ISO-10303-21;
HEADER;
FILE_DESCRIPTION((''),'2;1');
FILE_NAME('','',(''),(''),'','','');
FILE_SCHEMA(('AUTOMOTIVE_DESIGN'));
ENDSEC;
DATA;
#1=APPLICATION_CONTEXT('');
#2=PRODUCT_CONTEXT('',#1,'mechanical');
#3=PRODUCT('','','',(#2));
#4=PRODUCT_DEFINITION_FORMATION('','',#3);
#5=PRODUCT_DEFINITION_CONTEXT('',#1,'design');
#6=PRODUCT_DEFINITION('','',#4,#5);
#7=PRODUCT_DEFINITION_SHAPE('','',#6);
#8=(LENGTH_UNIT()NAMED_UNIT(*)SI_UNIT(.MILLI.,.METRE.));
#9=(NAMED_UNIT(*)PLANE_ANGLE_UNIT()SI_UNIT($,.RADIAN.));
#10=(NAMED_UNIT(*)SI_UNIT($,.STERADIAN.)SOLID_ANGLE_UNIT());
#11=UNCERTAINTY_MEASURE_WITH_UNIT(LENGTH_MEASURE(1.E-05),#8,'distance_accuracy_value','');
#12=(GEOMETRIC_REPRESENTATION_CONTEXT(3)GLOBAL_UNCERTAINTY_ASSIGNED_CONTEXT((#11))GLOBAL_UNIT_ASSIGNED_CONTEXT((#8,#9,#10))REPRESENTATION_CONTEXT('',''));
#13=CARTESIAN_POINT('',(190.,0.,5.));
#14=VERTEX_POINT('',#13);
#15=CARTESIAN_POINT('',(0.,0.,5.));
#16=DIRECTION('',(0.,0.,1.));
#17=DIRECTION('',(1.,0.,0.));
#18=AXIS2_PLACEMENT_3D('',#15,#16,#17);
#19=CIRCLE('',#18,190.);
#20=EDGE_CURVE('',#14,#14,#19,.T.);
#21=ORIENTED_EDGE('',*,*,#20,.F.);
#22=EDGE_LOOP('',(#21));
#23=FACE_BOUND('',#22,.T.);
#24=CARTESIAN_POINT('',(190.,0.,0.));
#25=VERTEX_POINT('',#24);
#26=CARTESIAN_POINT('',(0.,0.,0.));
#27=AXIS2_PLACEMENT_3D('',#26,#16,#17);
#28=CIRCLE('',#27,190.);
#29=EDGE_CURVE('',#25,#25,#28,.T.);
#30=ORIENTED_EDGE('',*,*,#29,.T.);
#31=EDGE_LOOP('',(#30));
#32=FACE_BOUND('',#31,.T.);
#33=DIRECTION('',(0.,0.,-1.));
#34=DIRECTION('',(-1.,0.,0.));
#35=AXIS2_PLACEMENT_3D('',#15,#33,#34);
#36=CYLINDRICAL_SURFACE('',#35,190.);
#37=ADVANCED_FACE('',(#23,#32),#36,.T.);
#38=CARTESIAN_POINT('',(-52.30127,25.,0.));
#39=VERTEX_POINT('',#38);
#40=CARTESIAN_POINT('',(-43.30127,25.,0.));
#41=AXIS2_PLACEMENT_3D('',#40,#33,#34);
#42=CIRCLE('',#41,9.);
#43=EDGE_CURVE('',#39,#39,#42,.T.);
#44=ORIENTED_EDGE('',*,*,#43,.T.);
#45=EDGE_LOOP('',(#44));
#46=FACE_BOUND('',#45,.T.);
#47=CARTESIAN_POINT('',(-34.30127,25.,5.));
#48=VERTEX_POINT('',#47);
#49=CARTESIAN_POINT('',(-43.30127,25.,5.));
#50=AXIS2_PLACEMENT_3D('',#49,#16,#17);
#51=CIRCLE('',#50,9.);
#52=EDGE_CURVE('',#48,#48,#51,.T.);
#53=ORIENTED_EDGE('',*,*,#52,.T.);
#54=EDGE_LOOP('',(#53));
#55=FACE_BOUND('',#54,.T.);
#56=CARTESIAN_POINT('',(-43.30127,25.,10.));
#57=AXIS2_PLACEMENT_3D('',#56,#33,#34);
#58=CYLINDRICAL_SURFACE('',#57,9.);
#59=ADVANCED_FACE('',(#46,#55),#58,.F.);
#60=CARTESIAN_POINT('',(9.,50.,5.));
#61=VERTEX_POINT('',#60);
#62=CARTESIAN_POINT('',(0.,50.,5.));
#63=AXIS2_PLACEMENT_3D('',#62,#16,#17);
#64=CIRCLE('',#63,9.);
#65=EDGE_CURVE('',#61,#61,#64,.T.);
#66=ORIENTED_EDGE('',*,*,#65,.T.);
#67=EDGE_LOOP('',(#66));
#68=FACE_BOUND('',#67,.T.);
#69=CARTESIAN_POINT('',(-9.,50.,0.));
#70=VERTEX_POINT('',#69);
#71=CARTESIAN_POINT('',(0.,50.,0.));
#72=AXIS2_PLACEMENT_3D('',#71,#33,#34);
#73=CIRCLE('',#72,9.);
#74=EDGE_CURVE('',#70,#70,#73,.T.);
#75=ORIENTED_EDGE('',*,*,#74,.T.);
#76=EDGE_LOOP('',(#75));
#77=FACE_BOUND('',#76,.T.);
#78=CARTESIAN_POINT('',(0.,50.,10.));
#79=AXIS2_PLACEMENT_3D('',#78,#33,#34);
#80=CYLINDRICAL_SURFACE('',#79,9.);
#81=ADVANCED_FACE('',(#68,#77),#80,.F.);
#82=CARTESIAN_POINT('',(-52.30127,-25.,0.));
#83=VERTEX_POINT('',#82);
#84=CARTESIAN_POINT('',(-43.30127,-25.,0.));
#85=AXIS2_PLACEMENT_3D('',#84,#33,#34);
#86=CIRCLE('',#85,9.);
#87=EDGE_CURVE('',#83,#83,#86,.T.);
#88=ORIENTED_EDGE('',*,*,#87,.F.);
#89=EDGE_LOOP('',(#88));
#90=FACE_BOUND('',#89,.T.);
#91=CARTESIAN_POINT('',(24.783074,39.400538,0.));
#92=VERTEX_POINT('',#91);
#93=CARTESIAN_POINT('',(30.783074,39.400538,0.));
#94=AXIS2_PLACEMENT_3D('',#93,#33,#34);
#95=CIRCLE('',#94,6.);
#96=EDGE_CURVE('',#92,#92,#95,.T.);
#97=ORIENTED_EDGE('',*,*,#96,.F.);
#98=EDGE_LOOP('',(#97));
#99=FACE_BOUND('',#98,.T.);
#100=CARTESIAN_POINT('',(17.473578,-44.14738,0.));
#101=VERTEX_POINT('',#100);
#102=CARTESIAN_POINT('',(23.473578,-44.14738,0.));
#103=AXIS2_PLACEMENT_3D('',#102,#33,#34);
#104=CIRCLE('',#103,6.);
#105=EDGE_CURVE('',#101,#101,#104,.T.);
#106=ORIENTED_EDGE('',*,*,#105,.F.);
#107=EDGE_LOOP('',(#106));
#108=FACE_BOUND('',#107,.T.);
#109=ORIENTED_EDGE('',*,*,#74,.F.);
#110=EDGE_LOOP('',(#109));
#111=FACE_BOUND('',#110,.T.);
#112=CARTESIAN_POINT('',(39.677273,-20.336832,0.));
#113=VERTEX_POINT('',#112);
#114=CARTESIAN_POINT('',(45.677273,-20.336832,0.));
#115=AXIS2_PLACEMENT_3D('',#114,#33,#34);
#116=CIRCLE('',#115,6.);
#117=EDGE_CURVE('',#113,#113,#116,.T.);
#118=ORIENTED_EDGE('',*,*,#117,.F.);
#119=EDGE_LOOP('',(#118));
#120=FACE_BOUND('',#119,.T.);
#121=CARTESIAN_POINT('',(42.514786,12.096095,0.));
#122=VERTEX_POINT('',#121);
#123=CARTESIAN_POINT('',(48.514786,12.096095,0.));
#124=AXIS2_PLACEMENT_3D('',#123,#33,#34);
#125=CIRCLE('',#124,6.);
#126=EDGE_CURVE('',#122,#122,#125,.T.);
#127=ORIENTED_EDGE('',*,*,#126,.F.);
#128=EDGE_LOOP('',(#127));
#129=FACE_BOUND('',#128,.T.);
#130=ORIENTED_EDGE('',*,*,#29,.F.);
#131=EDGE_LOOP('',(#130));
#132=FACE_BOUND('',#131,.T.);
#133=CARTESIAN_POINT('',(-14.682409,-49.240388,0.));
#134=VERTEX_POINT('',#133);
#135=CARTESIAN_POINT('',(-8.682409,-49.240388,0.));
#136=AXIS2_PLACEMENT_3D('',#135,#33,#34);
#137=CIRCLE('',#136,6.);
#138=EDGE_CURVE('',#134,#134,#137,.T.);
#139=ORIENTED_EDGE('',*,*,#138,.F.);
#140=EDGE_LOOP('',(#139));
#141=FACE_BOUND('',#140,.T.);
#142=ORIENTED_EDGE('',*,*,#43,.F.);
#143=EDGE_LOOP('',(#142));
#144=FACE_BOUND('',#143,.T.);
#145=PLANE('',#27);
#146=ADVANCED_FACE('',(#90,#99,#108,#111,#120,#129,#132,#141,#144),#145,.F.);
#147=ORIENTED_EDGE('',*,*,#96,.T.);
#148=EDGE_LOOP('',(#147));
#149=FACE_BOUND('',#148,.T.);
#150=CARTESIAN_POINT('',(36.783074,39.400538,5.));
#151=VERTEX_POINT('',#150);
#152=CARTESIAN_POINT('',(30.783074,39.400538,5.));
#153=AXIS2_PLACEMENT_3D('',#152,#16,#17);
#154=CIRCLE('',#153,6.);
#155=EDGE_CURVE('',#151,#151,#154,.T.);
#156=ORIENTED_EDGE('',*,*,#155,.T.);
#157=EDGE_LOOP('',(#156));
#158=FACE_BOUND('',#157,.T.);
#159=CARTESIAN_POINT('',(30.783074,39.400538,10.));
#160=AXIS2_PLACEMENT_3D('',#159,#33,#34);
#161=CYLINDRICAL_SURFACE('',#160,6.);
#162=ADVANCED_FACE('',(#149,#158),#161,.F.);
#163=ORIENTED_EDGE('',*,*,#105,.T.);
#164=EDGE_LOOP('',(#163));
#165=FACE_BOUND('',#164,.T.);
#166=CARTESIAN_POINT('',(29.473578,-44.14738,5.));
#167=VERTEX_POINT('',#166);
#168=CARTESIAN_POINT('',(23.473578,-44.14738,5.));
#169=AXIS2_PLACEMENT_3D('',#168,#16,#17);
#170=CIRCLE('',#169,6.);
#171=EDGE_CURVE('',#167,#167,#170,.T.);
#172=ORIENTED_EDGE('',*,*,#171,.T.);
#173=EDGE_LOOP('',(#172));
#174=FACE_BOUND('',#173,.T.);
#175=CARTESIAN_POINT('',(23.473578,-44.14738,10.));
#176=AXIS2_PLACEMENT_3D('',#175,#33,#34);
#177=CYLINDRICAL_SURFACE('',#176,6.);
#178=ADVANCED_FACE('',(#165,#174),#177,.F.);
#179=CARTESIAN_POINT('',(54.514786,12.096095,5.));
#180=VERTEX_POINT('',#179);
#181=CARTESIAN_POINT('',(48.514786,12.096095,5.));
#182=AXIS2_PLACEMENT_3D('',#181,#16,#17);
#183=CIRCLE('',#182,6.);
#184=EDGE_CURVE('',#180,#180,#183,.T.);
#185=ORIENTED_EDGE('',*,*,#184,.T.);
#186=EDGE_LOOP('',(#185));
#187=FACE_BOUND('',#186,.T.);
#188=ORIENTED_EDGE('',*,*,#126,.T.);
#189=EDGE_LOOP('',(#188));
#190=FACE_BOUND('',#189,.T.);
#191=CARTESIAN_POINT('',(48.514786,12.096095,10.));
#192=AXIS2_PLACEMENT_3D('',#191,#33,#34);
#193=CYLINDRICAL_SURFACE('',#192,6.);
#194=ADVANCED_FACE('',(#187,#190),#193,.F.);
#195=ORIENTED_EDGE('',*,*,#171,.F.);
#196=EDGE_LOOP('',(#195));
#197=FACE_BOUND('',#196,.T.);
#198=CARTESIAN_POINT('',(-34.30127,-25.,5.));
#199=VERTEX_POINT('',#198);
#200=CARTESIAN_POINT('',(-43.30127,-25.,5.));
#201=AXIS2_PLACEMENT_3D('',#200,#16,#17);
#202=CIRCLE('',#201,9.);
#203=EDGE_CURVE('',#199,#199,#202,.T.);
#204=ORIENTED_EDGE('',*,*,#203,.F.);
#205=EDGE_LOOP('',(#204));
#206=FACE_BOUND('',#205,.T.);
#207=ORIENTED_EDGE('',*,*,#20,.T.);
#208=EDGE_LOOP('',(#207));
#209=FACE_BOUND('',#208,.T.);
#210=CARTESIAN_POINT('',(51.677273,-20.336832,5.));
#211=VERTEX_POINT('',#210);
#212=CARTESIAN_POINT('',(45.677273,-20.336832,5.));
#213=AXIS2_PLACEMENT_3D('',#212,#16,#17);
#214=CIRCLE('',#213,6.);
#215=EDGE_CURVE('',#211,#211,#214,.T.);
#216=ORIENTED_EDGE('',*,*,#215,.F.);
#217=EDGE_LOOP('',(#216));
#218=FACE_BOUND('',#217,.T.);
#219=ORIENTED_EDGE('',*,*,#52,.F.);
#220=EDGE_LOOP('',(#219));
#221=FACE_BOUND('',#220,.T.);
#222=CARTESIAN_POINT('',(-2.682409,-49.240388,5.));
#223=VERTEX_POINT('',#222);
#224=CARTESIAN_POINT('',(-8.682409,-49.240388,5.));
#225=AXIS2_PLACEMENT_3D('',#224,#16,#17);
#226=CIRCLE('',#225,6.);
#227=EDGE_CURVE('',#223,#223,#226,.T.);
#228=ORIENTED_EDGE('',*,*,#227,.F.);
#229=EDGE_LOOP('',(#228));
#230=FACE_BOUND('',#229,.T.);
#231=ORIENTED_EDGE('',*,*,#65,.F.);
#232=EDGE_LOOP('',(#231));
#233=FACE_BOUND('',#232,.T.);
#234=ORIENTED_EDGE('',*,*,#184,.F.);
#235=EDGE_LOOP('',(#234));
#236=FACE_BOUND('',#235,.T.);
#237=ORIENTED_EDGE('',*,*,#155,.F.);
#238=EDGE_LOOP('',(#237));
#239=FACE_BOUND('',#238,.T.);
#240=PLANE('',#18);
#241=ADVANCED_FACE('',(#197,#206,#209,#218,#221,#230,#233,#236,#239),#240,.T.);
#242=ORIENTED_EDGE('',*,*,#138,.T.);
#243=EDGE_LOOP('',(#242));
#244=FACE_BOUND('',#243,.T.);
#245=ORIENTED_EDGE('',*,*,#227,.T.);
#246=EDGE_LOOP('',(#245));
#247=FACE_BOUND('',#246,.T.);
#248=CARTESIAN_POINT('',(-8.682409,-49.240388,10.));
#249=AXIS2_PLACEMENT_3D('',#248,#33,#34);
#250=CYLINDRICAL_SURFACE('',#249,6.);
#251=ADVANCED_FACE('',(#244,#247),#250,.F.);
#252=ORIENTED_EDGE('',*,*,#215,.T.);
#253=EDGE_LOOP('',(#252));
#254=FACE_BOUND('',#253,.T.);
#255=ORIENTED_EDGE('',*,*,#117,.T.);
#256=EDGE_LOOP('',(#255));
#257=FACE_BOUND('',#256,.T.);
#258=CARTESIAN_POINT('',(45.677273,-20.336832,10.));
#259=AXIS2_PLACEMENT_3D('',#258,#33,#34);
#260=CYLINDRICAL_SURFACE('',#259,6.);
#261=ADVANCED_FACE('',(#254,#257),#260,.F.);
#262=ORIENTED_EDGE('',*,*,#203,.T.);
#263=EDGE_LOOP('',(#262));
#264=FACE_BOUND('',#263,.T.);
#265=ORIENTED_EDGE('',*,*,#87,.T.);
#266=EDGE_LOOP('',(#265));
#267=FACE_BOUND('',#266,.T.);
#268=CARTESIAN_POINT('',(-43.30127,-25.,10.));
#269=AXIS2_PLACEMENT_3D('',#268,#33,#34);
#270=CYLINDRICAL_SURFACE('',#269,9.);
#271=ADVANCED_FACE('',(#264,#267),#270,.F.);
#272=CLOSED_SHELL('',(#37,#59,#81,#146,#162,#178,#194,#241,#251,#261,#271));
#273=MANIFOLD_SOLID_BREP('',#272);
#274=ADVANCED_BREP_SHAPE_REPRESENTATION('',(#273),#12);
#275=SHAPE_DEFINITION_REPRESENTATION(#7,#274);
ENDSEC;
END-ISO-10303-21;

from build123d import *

# Parameters (mm, degrees)
SKETCH1_R           = 190
BOSS_EXTRUDE1_DEPTH = 5
SKETCH2_R           = 9
SKETCH2_R_2         = 6
CUT_EXTRUDE1_DEPTH  = 10


with BuildPart() as part:
    # Sketch1 → Boss-Extrude1 (new body)
    with BuildSketch(Plane.XY):
        Circle(SKETCH1_R)
    extrude(amount=BOSS_EXTRUDE1_DEPTH)

    # Sketch2 → Cut-Extrude1 (cut)
    with BuildSketch(Plane(origin=(0, 0, 0), x_dir=(-1, 0, 0), z_dir=(0, 0, -1))):
        with Locations((0, 50)):
            Circle(SKETCH2_R)
        with Locations((43.301270189, 25)):
            Circle(SKETCH2_R)
        with Locations((43.301270189, -25)):
            Circle(SKETCH2_R)
        with Locations((-30.783073766, 39.40053768)):
            Circle(SKETCH2_R_2)
        with Locations((-48.514786314, 12.09609478)):
            Circle(SKETCH2_R_2)
        with Locations((-45.677272882, -20.336832154)):
            Circle(SKETCH2_R_2)
        with Locations((-23.473578139, -44.147379643)):
            Circle(SKETCH2_R_2)
        with Locations((8.682408883, -49.240387651)):
            Circle(SKETCH2_R_2)
    extrude(amount=-CUT_EXTRUDE1_DEPTH, mode=Mode.SUBTRACT)


solid = part.part
